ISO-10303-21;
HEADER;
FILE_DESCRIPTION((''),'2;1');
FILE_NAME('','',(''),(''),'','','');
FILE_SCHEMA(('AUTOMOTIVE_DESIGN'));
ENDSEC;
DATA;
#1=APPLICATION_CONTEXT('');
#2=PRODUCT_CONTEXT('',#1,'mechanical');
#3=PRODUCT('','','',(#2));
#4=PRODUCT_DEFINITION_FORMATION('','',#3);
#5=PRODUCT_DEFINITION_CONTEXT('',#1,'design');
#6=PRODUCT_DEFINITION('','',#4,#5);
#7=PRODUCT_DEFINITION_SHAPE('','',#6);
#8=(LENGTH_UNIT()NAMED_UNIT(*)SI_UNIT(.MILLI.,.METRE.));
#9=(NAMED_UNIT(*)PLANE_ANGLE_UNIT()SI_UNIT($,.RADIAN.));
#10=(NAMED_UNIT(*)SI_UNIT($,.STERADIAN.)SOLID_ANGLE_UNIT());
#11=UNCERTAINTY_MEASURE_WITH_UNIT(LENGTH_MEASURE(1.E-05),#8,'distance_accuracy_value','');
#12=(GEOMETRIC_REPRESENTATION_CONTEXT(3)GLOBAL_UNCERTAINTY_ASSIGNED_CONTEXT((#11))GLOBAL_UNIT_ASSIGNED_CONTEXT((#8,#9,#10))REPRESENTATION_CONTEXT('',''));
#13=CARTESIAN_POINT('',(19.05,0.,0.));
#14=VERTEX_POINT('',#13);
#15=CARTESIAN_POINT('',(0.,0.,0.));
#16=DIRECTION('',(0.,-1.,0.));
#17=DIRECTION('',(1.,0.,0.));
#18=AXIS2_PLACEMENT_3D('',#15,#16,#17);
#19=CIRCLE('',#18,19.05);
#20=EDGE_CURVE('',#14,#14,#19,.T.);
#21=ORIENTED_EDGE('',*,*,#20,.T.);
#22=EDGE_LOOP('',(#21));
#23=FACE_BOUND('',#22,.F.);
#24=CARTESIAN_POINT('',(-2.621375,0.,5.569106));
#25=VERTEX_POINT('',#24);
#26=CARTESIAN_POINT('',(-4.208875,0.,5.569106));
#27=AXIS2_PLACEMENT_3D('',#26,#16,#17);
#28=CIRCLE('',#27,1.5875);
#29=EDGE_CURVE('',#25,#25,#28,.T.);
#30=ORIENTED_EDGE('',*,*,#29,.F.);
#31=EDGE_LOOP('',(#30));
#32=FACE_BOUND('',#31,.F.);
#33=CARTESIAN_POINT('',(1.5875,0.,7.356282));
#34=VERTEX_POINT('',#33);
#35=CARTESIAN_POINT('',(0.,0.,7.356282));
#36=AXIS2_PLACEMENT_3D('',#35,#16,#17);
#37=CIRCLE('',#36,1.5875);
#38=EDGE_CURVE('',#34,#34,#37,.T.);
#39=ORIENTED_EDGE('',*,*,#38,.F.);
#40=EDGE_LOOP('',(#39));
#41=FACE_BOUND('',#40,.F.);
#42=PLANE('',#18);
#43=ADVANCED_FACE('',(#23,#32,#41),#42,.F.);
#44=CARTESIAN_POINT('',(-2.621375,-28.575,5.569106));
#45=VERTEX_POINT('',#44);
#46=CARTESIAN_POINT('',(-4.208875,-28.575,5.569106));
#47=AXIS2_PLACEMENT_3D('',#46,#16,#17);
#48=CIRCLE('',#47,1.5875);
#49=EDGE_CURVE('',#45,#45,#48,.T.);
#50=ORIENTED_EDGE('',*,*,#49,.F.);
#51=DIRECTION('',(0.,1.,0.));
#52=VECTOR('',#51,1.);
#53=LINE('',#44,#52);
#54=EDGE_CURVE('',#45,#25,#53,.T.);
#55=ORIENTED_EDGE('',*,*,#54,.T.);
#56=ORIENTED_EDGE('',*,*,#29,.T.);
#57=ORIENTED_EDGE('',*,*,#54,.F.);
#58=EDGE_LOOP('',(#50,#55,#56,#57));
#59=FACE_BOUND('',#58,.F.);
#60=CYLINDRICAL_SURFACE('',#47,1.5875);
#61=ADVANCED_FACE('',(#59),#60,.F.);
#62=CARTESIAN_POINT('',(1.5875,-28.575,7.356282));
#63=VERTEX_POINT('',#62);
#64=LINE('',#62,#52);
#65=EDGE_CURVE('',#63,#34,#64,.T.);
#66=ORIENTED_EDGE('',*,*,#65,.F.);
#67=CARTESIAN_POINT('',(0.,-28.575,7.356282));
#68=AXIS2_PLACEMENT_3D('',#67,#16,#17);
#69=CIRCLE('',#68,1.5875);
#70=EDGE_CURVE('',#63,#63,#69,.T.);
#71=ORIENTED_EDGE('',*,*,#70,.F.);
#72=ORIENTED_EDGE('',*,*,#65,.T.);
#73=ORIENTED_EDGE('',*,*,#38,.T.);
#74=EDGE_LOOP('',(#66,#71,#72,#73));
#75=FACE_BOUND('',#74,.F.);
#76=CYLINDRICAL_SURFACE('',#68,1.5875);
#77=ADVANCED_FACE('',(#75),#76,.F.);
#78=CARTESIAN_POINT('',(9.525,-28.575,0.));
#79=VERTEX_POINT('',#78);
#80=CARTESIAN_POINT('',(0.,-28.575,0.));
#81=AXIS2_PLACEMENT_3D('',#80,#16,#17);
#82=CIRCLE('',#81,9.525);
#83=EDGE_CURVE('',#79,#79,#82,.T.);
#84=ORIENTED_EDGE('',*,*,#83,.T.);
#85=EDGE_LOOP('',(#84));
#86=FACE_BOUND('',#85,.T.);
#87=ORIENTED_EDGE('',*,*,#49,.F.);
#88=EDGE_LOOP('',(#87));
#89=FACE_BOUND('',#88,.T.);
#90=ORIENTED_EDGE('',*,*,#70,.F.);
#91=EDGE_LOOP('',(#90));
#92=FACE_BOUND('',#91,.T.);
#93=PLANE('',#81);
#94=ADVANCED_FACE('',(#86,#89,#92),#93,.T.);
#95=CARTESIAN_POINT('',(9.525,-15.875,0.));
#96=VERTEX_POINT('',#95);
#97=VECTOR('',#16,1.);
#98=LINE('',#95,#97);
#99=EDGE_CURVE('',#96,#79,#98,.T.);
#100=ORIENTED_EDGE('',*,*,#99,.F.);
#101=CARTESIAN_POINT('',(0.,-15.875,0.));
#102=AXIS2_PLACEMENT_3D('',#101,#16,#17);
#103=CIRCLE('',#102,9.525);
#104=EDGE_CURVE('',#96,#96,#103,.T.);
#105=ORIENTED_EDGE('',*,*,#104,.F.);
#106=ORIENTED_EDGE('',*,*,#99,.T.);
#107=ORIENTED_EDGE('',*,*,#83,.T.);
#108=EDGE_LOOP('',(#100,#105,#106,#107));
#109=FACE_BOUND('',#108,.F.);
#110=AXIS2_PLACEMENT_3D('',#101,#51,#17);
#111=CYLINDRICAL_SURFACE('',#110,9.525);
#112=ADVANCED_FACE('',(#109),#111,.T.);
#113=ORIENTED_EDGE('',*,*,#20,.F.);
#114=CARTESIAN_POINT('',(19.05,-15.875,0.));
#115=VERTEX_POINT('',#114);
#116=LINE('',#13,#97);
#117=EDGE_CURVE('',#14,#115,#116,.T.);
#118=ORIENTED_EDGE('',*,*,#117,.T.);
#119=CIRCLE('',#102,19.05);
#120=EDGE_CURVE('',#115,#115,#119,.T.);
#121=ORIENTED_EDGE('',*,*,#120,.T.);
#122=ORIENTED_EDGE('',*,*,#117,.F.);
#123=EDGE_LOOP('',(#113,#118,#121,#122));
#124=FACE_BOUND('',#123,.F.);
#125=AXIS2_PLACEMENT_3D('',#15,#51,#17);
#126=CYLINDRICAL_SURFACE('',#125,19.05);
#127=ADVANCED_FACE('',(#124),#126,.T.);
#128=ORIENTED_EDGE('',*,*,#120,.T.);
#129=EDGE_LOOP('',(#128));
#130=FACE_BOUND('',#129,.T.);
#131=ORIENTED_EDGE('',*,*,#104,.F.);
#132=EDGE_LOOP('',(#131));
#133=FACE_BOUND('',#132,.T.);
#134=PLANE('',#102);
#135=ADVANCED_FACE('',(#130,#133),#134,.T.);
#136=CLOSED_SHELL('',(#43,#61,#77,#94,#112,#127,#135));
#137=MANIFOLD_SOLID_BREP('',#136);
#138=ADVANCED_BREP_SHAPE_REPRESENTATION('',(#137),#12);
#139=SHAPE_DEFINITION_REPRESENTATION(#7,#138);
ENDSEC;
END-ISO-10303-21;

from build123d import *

# Parameters (mm, degrees)
F0_R     = 19.05
F1_DEPTH = 15.875
F2_R     = 9.525
F3_DEPTH = 12.7
F4_R     = 1.5875
F5_DEPTH = 50.8
F6_R     = 1.5875
F7_DEPTH = 50.8


with BuildPart() as f1:
    # F0 (on Front) → F1 (new body)
    with BuildSketch(Plane.XZ):
        Circle(F0_R)
    extrude(amount=F1_DEPTH)

    # F2 (on face) → F3 (join)
    with BuildSketch(Plane.XZ.offset(15.875)):
        Circle(F2_R)
    extrude(amount=F3_DEPTH)

    # F4 (on face) → F5 (cut)
    with BuildSketch(Plane.XZ.offset(28.575)):
        with Locations((0, 7.356282)):
            Circle(F4_R)
    extrude(amount=-F5_DEPTH, mode=Mode.SUBTRACT)

    # F6 (on face) → F7 (cut)
    with BuildSketch(Plane.XZ.offset(28.575)):
        with Locations((-4.208875, 5.569106)):
            Circle(F6_R)
    extrude(amount=-F7_DEPTH, mode=Mode.SUBTRACT)


solid = f1.part
